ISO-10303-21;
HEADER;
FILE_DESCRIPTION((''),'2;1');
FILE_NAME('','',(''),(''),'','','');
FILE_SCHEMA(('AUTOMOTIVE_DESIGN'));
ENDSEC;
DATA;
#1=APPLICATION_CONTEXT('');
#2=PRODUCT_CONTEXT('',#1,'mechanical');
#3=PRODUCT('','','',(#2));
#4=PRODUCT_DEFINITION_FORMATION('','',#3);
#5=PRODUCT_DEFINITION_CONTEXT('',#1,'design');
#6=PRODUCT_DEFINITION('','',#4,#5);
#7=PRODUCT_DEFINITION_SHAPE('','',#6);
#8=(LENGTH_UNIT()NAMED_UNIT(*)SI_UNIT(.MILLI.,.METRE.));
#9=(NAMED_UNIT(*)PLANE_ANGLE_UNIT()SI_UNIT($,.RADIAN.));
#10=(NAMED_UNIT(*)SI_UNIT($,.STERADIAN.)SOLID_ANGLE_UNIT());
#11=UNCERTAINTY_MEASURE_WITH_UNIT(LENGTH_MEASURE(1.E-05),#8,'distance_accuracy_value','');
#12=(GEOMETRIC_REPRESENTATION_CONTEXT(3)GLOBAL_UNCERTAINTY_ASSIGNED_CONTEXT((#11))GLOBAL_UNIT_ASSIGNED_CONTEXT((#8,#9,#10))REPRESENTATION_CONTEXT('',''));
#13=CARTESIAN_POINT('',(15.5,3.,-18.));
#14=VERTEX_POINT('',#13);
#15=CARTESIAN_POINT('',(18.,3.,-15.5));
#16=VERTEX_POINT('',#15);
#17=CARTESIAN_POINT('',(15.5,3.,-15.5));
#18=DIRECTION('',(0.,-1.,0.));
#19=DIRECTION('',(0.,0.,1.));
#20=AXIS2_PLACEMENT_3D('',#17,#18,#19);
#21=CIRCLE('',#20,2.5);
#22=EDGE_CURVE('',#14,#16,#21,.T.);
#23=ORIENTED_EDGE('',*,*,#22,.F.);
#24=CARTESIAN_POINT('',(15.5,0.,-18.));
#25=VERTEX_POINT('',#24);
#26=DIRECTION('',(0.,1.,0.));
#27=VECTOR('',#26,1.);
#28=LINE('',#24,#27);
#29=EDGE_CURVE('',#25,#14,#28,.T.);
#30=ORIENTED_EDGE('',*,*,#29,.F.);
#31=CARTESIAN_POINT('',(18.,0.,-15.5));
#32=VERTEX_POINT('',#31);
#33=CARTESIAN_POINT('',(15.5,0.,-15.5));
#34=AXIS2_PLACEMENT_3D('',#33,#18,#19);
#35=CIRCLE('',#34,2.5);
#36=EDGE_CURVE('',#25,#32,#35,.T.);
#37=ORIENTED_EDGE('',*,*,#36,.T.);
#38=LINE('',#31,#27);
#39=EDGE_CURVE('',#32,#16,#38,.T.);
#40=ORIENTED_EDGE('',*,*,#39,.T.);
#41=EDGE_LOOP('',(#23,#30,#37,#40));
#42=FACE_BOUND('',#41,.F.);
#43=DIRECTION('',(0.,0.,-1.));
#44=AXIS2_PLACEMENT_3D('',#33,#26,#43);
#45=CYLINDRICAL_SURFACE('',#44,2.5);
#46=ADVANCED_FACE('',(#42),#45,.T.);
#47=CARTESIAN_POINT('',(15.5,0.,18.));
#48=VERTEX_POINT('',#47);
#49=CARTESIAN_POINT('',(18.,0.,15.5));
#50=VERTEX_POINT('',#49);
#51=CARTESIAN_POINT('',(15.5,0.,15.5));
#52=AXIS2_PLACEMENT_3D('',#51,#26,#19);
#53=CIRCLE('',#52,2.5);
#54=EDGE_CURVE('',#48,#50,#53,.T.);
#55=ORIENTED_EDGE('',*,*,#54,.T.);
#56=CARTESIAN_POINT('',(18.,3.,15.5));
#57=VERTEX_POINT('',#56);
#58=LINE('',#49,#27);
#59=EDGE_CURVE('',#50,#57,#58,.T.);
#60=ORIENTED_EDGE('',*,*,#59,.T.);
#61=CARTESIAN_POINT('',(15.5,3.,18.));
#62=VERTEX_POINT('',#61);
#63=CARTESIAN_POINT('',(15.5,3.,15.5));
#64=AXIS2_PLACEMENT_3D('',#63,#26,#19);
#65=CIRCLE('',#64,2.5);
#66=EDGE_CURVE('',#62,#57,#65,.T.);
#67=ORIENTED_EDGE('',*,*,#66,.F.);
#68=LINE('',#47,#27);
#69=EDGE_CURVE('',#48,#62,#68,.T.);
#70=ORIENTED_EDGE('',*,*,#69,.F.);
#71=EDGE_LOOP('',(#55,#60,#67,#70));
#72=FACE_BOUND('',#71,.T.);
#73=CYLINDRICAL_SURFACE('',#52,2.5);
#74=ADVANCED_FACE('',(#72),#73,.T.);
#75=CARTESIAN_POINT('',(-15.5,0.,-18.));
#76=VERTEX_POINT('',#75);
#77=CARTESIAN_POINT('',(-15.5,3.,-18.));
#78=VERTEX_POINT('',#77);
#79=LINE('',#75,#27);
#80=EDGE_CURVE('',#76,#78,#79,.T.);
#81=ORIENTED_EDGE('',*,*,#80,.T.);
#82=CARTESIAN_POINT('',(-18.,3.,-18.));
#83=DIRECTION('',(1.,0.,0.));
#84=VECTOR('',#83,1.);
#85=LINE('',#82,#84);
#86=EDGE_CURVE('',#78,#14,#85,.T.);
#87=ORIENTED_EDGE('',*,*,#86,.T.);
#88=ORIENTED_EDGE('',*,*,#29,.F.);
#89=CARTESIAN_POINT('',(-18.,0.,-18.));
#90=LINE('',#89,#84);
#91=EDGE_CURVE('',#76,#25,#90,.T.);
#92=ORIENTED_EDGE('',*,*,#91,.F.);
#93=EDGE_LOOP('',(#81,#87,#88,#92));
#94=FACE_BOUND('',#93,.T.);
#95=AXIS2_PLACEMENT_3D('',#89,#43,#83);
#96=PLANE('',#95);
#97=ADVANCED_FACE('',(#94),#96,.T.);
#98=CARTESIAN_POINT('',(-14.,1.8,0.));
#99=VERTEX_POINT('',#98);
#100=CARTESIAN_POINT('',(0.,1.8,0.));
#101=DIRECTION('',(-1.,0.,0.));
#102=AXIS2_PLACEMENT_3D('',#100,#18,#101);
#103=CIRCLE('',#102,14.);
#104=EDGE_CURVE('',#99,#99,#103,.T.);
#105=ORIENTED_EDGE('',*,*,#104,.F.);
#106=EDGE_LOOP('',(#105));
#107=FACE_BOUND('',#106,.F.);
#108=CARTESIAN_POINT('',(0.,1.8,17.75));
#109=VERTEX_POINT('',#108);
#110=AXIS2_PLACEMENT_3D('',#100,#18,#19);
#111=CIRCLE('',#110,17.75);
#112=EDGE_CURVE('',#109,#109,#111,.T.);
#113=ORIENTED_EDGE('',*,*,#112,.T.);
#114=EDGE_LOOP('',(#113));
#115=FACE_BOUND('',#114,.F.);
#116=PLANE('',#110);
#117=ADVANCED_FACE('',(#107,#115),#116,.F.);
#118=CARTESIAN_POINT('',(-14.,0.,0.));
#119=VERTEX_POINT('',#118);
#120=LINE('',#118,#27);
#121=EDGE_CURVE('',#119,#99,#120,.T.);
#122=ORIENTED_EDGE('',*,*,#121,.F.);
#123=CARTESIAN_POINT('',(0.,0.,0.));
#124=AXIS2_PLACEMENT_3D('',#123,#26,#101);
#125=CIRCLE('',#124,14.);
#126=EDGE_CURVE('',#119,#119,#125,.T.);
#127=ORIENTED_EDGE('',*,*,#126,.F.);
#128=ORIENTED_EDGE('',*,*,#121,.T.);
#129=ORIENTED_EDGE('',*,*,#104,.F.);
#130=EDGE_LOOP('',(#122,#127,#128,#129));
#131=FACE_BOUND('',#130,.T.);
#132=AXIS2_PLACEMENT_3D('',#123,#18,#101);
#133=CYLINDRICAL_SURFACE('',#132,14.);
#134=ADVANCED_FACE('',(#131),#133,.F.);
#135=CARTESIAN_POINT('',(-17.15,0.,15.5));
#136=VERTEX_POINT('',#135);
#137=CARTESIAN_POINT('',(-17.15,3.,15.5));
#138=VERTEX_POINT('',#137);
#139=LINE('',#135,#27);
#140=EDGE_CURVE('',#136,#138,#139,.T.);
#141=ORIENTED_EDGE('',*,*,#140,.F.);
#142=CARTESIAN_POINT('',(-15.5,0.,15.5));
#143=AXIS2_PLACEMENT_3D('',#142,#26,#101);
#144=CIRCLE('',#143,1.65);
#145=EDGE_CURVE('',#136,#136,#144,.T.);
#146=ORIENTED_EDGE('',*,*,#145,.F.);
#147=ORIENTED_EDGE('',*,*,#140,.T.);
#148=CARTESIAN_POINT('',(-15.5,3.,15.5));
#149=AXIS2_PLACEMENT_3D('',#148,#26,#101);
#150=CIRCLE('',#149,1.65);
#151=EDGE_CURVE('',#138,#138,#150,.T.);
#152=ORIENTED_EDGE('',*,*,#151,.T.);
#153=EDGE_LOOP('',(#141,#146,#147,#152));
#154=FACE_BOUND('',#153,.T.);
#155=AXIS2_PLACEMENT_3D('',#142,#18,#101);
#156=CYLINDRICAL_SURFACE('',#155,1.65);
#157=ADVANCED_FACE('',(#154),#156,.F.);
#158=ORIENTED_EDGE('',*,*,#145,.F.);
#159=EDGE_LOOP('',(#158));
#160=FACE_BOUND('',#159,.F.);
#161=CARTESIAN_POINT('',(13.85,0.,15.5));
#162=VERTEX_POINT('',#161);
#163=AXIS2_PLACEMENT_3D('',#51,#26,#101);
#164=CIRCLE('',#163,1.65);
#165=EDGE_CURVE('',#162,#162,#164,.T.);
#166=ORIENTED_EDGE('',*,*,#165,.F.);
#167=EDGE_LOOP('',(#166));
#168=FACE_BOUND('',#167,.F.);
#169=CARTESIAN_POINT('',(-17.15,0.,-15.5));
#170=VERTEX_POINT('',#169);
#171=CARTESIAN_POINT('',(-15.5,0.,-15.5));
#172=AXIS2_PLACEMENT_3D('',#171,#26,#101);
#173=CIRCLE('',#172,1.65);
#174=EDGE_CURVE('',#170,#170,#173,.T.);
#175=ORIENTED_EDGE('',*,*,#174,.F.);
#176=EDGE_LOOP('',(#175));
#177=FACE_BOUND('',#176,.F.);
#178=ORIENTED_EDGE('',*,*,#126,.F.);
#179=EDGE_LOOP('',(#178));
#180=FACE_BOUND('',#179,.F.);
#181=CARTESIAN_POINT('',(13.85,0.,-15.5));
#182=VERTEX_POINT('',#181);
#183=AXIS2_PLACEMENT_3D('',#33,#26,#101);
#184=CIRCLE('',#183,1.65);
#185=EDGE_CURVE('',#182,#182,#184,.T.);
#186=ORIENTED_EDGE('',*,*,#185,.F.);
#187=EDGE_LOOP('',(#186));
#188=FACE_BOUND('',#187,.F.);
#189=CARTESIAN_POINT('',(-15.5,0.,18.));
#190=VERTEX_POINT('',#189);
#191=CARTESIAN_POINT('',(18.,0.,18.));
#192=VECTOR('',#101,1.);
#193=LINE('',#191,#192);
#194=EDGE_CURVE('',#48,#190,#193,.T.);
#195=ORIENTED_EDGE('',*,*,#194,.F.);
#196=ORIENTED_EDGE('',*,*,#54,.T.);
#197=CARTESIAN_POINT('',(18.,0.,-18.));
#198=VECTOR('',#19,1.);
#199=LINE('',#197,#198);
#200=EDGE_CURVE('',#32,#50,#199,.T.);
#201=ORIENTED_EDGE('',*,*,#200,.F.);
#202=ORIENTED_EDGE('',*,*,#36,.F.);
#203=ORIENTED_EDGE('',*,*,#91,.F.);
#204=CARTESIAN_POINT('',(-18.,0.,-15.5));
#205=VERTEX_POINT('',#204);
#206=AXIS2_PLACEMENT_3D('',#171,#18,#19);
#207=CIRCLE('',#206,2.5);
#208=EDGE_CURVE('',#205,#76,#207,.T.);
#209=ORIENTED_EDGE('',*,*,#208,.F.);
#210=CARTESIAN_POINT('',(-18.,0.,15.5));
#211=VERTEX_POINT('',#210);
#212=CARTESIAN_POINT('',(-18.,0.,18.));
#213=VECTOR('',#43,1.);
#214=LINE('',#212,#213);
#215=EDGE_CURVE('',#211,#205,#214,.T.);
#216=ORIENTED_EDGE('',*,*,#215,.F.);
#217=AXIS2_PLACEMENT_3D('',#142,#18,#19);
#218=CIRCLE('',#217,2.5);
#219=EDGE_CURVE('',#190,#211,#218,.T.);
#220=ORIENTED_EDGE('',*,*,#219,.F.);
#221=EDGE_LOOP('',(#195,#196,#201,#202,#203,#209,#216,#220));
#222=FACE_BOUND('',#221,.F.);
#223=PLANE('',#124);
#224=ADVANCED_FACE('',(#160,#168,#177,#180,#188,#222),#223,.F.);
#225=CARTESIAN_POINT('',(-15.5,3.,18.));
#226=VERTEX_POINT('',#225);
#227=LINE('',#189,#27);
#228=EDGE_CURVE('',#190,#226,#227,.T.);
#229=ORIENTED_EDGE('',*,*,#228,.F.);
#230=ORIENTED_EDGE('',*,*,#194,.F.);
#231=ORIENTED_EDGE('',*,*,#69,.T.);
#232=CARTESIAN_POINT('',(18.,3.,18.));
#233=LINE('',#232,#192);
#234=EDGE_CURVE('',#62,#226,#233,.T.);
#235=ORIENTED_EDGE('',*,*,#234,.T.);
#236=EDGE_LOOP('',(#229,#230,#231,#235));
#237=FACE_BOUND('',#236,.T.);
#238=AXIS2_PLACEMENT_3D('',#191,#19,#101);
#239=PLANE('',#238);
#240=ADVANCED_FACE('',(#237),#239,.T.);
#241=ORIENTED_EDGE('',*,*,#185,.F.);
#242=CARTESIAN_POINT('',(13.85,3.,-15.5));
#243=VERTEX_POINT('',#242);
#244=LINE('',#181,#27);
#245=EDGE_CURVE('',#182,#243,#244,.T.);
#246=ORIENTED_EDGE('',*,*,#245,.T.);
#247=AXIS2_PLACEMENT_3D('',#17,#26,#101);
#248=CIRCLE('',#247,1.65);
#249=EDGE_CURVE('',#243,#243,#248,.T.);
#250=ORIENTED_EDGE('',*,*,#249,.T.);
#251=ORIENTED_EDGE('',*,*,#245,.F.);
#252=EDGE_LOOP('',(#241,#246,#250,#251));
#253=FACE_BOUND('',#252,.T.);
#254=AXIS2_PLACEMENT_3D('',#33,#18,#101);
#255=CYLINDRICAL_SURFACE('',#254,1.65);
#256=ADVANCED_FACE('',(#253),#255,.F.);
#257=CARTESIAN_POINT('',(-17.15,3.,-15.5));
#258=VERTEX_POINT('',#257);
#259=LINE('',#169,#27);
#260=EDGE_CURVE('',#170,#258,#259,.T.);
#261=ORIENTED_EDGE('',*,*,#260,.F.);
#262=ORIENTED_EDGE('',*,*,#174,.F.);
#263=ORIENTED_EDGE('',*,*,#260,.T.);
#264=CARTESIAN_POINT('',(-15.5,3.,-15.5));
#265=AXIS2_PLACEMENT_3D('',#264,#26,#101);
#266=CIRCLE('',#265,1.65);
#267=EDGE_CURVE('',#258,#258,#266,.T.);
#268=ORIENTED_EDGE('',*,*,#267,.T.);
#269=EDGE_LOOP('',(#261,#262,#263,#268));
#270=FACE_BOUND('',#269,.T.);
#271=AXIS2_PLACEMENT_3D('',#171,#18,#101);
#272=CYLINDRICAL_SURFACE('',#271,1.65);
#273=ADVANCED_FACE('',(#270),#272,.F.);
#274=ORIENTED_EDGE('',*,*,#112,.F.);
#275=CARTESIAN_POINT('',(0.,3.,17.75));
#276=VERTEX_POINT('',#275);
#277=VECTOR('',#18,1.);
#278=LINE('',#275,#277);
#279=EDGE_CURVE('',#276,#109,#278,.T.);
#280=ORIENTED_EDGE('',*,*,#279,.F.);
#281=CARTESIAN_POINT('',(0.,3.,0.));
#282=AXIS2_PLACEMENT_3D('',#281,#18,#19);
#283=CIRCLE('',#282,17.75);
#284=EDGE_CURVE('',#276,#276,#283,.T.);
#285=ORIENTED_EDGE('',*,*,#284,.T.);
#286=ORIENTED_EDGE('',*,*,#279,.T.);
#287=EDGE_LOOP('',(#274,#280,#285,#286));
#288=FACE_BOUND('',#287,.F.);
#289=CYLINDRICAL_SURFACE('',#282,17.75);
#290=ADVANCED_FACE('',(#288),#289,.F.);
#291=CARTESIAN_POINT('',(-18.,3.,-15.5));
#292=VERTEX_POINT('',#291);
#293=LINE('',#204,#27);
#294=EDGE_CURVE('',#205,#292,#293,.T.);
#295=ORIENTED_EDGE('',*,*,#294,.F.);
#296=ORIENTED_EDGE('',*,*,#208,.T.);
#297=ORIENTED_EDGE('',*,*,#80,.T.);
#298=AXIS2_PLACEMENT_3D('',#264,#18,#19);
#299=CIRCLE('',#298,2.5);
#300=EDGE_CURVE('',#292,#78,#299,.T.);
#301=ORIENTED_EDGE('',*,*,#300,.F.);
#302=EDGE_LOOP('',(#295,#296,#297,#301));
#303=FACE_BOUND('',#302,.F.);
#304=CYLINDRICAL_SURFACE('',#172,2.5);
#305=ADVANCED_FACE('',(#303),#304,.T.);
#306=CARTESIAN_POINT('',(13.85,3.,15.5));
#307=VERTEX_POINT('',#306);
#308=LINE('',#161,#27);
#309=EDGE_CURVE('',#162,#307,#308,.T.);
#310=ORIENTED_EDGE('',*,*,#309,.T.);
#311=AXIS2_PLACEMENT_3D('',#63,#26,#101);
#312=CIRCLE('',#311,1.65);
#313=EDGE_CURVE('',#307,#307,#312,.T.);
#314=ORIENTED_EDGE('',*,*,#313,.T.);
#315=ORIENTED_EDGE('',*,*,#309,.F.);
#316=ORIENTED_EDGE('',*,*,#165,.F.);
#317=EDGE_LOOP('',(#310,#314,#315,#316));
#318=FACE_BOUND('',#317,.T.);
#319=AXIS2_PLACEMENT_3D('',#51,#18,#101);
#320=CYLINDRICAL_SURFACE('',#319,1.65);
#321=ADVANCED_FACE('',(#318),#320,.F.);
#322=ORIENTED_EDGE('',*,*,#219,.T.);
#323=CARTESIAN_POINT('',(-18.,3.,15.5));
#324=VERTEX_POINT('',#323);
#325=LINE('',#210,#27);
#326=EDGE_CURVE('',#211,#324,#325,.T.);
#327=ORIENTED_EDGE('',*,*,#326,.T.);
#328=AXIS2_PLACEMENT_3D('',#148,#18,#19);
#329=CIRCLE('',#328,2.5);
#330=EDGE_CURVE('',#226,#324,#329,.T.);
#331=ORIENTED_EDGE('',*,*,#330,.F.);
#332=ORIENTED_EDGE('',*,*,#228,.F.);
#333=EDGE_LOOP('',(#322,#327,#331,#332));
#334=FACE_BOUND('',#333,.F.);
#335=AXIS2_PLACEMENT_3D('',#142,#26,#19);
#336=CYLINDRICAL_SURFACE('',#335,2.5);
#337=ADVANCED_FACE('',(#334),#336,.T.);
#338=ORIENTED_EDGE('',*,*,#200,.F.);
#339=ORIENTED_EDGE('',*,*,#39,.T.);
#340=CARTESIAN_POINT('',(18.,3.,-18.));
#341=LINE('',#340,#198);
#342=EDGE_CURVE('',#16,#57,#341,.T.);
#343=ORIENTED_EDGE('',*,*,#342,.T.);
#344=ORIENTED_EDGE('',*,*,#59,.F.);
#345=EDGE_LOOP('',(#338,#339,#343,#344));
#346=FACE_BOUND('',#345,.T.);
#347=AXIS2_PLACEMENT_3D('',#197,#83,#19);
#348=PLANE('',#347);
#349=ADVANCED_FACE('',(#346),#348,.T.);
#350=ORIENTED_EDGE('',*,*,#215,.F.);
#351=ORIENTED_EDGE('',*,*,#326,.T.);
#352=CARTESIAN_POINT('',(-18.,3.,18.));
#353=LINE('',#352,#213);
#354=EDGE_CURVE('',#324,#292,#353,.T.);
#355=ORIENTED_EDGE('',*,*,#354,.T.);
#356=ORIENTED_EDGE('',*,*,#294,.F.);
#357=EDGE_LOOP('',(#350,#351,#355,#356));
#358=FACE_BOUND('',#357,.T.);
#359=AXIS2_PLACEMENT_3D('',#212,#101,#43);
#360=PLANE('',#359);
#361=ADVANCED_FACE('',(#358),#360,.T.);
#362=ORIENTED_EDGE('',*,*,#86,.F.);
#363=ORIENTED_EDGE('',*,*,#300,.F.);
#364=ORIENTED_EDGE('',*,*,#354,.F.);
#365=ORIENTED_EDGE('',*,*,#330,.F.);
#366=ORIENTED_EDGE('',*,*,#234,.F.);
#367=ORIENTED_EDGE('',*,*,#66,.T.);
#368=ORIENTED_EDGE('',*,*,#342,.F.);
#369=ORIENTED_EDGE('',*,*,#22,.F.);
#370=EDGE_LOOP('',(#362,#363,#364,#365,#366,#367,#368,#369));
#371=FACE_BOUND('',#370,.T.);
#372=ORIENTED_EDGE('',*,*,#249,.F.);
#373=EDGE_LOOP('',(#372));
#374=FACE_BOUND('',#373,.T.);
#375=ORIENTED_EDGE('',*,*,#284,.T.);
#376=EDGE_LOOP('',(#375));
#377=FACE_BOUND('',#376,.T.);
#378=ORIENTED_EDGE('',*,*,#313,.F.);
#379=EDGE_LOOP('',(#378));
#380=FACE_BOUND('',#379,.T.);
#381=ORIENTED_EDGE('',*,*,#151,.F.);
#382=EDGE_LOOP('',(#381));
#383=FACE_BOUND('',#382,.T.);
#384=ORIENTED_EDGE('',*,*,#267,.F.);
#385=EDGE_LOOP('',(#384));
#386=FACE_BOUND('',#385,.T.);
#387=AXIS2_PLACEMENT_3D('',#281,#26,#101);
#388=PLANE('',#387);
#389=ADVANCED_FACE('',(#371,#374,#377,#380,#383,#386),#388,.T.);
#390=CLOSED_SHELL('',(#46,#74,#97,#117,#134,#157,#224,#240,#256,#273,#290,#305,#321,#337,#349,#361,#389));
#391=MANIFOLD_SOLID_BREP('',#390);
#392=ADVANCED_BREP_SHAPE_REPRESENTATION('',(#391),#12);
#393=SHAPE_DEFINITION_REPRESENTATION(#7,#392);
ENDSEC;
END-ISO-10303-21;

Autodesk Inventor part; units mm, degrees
ref_plane "YZ Plane" through (0, 0, 0) normal (1, 0, 0) x (0, 1, 0)
ref_plane "XZ Plane" through (0, 0, 0) normal (0, 1, 0) x (-1, 0, 0)
ref_plane "XY Plane" through (0, 0, 0) normal (0, 0, 1) x (1, 0, 0)
sketch "Sketch1" plane through (0, 0, 0) normal (0, 1, 0) x (-1, 0, 0)
  line L0 (-18, 18) -> (18, 18)
  line L1 (18, 18) -> (18, -18)
  line L2 (18, -18) -> (-18, -18)
  line L3 (-18, -18) -> (-18, 18)
  line L4 (-18, 18) -> (18, -18) construction
  line L5 (18, 18) -> (-18, -18) construction
  circle A0 centre (15.5, -15.5) radius 1.65
  circle A1 centre (15.5, 15.5) radius 1.65
  circle A2 centre (-15.5, 15.5) radius 1.65
  circle A3 centre (-15.5, -15.5) radius 1.65
  circle A4 centre (0, 0) radius 14
  dimension "d0" = 36
  dimension "d1" = 36
  dimension "d2" = 3.3
  dimension "d3" = 3.3
  dimension "d4" = 3.3
  dimension "d5" = 3.3
  dimension "d6" = 2.5
  dimension "d7" = 2.5
  dimension "d8" = 2.5
  dimension "d9" = 2.5
  dimension "d10" = 28
extrude "Extrusion1" add sketch "Sketch1" along normal blind 3
fillet "Fillet1" radius 2.5 4 edges at (-18, 1.5, 18) (18, 1.5, 18) (18, 1.5, -18) (-18, 1.5, -18)
sketch "Sketch2" plane through (0, 3, 0) normal (0, 1, 0) x (1, 0, 0)
  circle A0 centre (0, 0) radius 14 projected
hole "Hole1" at (0, 3, 0) direction (0, -1, 0) diameter 35.5 depth 1.2
properties part number "Bearing Block P2" material "Aluminum 6061"
